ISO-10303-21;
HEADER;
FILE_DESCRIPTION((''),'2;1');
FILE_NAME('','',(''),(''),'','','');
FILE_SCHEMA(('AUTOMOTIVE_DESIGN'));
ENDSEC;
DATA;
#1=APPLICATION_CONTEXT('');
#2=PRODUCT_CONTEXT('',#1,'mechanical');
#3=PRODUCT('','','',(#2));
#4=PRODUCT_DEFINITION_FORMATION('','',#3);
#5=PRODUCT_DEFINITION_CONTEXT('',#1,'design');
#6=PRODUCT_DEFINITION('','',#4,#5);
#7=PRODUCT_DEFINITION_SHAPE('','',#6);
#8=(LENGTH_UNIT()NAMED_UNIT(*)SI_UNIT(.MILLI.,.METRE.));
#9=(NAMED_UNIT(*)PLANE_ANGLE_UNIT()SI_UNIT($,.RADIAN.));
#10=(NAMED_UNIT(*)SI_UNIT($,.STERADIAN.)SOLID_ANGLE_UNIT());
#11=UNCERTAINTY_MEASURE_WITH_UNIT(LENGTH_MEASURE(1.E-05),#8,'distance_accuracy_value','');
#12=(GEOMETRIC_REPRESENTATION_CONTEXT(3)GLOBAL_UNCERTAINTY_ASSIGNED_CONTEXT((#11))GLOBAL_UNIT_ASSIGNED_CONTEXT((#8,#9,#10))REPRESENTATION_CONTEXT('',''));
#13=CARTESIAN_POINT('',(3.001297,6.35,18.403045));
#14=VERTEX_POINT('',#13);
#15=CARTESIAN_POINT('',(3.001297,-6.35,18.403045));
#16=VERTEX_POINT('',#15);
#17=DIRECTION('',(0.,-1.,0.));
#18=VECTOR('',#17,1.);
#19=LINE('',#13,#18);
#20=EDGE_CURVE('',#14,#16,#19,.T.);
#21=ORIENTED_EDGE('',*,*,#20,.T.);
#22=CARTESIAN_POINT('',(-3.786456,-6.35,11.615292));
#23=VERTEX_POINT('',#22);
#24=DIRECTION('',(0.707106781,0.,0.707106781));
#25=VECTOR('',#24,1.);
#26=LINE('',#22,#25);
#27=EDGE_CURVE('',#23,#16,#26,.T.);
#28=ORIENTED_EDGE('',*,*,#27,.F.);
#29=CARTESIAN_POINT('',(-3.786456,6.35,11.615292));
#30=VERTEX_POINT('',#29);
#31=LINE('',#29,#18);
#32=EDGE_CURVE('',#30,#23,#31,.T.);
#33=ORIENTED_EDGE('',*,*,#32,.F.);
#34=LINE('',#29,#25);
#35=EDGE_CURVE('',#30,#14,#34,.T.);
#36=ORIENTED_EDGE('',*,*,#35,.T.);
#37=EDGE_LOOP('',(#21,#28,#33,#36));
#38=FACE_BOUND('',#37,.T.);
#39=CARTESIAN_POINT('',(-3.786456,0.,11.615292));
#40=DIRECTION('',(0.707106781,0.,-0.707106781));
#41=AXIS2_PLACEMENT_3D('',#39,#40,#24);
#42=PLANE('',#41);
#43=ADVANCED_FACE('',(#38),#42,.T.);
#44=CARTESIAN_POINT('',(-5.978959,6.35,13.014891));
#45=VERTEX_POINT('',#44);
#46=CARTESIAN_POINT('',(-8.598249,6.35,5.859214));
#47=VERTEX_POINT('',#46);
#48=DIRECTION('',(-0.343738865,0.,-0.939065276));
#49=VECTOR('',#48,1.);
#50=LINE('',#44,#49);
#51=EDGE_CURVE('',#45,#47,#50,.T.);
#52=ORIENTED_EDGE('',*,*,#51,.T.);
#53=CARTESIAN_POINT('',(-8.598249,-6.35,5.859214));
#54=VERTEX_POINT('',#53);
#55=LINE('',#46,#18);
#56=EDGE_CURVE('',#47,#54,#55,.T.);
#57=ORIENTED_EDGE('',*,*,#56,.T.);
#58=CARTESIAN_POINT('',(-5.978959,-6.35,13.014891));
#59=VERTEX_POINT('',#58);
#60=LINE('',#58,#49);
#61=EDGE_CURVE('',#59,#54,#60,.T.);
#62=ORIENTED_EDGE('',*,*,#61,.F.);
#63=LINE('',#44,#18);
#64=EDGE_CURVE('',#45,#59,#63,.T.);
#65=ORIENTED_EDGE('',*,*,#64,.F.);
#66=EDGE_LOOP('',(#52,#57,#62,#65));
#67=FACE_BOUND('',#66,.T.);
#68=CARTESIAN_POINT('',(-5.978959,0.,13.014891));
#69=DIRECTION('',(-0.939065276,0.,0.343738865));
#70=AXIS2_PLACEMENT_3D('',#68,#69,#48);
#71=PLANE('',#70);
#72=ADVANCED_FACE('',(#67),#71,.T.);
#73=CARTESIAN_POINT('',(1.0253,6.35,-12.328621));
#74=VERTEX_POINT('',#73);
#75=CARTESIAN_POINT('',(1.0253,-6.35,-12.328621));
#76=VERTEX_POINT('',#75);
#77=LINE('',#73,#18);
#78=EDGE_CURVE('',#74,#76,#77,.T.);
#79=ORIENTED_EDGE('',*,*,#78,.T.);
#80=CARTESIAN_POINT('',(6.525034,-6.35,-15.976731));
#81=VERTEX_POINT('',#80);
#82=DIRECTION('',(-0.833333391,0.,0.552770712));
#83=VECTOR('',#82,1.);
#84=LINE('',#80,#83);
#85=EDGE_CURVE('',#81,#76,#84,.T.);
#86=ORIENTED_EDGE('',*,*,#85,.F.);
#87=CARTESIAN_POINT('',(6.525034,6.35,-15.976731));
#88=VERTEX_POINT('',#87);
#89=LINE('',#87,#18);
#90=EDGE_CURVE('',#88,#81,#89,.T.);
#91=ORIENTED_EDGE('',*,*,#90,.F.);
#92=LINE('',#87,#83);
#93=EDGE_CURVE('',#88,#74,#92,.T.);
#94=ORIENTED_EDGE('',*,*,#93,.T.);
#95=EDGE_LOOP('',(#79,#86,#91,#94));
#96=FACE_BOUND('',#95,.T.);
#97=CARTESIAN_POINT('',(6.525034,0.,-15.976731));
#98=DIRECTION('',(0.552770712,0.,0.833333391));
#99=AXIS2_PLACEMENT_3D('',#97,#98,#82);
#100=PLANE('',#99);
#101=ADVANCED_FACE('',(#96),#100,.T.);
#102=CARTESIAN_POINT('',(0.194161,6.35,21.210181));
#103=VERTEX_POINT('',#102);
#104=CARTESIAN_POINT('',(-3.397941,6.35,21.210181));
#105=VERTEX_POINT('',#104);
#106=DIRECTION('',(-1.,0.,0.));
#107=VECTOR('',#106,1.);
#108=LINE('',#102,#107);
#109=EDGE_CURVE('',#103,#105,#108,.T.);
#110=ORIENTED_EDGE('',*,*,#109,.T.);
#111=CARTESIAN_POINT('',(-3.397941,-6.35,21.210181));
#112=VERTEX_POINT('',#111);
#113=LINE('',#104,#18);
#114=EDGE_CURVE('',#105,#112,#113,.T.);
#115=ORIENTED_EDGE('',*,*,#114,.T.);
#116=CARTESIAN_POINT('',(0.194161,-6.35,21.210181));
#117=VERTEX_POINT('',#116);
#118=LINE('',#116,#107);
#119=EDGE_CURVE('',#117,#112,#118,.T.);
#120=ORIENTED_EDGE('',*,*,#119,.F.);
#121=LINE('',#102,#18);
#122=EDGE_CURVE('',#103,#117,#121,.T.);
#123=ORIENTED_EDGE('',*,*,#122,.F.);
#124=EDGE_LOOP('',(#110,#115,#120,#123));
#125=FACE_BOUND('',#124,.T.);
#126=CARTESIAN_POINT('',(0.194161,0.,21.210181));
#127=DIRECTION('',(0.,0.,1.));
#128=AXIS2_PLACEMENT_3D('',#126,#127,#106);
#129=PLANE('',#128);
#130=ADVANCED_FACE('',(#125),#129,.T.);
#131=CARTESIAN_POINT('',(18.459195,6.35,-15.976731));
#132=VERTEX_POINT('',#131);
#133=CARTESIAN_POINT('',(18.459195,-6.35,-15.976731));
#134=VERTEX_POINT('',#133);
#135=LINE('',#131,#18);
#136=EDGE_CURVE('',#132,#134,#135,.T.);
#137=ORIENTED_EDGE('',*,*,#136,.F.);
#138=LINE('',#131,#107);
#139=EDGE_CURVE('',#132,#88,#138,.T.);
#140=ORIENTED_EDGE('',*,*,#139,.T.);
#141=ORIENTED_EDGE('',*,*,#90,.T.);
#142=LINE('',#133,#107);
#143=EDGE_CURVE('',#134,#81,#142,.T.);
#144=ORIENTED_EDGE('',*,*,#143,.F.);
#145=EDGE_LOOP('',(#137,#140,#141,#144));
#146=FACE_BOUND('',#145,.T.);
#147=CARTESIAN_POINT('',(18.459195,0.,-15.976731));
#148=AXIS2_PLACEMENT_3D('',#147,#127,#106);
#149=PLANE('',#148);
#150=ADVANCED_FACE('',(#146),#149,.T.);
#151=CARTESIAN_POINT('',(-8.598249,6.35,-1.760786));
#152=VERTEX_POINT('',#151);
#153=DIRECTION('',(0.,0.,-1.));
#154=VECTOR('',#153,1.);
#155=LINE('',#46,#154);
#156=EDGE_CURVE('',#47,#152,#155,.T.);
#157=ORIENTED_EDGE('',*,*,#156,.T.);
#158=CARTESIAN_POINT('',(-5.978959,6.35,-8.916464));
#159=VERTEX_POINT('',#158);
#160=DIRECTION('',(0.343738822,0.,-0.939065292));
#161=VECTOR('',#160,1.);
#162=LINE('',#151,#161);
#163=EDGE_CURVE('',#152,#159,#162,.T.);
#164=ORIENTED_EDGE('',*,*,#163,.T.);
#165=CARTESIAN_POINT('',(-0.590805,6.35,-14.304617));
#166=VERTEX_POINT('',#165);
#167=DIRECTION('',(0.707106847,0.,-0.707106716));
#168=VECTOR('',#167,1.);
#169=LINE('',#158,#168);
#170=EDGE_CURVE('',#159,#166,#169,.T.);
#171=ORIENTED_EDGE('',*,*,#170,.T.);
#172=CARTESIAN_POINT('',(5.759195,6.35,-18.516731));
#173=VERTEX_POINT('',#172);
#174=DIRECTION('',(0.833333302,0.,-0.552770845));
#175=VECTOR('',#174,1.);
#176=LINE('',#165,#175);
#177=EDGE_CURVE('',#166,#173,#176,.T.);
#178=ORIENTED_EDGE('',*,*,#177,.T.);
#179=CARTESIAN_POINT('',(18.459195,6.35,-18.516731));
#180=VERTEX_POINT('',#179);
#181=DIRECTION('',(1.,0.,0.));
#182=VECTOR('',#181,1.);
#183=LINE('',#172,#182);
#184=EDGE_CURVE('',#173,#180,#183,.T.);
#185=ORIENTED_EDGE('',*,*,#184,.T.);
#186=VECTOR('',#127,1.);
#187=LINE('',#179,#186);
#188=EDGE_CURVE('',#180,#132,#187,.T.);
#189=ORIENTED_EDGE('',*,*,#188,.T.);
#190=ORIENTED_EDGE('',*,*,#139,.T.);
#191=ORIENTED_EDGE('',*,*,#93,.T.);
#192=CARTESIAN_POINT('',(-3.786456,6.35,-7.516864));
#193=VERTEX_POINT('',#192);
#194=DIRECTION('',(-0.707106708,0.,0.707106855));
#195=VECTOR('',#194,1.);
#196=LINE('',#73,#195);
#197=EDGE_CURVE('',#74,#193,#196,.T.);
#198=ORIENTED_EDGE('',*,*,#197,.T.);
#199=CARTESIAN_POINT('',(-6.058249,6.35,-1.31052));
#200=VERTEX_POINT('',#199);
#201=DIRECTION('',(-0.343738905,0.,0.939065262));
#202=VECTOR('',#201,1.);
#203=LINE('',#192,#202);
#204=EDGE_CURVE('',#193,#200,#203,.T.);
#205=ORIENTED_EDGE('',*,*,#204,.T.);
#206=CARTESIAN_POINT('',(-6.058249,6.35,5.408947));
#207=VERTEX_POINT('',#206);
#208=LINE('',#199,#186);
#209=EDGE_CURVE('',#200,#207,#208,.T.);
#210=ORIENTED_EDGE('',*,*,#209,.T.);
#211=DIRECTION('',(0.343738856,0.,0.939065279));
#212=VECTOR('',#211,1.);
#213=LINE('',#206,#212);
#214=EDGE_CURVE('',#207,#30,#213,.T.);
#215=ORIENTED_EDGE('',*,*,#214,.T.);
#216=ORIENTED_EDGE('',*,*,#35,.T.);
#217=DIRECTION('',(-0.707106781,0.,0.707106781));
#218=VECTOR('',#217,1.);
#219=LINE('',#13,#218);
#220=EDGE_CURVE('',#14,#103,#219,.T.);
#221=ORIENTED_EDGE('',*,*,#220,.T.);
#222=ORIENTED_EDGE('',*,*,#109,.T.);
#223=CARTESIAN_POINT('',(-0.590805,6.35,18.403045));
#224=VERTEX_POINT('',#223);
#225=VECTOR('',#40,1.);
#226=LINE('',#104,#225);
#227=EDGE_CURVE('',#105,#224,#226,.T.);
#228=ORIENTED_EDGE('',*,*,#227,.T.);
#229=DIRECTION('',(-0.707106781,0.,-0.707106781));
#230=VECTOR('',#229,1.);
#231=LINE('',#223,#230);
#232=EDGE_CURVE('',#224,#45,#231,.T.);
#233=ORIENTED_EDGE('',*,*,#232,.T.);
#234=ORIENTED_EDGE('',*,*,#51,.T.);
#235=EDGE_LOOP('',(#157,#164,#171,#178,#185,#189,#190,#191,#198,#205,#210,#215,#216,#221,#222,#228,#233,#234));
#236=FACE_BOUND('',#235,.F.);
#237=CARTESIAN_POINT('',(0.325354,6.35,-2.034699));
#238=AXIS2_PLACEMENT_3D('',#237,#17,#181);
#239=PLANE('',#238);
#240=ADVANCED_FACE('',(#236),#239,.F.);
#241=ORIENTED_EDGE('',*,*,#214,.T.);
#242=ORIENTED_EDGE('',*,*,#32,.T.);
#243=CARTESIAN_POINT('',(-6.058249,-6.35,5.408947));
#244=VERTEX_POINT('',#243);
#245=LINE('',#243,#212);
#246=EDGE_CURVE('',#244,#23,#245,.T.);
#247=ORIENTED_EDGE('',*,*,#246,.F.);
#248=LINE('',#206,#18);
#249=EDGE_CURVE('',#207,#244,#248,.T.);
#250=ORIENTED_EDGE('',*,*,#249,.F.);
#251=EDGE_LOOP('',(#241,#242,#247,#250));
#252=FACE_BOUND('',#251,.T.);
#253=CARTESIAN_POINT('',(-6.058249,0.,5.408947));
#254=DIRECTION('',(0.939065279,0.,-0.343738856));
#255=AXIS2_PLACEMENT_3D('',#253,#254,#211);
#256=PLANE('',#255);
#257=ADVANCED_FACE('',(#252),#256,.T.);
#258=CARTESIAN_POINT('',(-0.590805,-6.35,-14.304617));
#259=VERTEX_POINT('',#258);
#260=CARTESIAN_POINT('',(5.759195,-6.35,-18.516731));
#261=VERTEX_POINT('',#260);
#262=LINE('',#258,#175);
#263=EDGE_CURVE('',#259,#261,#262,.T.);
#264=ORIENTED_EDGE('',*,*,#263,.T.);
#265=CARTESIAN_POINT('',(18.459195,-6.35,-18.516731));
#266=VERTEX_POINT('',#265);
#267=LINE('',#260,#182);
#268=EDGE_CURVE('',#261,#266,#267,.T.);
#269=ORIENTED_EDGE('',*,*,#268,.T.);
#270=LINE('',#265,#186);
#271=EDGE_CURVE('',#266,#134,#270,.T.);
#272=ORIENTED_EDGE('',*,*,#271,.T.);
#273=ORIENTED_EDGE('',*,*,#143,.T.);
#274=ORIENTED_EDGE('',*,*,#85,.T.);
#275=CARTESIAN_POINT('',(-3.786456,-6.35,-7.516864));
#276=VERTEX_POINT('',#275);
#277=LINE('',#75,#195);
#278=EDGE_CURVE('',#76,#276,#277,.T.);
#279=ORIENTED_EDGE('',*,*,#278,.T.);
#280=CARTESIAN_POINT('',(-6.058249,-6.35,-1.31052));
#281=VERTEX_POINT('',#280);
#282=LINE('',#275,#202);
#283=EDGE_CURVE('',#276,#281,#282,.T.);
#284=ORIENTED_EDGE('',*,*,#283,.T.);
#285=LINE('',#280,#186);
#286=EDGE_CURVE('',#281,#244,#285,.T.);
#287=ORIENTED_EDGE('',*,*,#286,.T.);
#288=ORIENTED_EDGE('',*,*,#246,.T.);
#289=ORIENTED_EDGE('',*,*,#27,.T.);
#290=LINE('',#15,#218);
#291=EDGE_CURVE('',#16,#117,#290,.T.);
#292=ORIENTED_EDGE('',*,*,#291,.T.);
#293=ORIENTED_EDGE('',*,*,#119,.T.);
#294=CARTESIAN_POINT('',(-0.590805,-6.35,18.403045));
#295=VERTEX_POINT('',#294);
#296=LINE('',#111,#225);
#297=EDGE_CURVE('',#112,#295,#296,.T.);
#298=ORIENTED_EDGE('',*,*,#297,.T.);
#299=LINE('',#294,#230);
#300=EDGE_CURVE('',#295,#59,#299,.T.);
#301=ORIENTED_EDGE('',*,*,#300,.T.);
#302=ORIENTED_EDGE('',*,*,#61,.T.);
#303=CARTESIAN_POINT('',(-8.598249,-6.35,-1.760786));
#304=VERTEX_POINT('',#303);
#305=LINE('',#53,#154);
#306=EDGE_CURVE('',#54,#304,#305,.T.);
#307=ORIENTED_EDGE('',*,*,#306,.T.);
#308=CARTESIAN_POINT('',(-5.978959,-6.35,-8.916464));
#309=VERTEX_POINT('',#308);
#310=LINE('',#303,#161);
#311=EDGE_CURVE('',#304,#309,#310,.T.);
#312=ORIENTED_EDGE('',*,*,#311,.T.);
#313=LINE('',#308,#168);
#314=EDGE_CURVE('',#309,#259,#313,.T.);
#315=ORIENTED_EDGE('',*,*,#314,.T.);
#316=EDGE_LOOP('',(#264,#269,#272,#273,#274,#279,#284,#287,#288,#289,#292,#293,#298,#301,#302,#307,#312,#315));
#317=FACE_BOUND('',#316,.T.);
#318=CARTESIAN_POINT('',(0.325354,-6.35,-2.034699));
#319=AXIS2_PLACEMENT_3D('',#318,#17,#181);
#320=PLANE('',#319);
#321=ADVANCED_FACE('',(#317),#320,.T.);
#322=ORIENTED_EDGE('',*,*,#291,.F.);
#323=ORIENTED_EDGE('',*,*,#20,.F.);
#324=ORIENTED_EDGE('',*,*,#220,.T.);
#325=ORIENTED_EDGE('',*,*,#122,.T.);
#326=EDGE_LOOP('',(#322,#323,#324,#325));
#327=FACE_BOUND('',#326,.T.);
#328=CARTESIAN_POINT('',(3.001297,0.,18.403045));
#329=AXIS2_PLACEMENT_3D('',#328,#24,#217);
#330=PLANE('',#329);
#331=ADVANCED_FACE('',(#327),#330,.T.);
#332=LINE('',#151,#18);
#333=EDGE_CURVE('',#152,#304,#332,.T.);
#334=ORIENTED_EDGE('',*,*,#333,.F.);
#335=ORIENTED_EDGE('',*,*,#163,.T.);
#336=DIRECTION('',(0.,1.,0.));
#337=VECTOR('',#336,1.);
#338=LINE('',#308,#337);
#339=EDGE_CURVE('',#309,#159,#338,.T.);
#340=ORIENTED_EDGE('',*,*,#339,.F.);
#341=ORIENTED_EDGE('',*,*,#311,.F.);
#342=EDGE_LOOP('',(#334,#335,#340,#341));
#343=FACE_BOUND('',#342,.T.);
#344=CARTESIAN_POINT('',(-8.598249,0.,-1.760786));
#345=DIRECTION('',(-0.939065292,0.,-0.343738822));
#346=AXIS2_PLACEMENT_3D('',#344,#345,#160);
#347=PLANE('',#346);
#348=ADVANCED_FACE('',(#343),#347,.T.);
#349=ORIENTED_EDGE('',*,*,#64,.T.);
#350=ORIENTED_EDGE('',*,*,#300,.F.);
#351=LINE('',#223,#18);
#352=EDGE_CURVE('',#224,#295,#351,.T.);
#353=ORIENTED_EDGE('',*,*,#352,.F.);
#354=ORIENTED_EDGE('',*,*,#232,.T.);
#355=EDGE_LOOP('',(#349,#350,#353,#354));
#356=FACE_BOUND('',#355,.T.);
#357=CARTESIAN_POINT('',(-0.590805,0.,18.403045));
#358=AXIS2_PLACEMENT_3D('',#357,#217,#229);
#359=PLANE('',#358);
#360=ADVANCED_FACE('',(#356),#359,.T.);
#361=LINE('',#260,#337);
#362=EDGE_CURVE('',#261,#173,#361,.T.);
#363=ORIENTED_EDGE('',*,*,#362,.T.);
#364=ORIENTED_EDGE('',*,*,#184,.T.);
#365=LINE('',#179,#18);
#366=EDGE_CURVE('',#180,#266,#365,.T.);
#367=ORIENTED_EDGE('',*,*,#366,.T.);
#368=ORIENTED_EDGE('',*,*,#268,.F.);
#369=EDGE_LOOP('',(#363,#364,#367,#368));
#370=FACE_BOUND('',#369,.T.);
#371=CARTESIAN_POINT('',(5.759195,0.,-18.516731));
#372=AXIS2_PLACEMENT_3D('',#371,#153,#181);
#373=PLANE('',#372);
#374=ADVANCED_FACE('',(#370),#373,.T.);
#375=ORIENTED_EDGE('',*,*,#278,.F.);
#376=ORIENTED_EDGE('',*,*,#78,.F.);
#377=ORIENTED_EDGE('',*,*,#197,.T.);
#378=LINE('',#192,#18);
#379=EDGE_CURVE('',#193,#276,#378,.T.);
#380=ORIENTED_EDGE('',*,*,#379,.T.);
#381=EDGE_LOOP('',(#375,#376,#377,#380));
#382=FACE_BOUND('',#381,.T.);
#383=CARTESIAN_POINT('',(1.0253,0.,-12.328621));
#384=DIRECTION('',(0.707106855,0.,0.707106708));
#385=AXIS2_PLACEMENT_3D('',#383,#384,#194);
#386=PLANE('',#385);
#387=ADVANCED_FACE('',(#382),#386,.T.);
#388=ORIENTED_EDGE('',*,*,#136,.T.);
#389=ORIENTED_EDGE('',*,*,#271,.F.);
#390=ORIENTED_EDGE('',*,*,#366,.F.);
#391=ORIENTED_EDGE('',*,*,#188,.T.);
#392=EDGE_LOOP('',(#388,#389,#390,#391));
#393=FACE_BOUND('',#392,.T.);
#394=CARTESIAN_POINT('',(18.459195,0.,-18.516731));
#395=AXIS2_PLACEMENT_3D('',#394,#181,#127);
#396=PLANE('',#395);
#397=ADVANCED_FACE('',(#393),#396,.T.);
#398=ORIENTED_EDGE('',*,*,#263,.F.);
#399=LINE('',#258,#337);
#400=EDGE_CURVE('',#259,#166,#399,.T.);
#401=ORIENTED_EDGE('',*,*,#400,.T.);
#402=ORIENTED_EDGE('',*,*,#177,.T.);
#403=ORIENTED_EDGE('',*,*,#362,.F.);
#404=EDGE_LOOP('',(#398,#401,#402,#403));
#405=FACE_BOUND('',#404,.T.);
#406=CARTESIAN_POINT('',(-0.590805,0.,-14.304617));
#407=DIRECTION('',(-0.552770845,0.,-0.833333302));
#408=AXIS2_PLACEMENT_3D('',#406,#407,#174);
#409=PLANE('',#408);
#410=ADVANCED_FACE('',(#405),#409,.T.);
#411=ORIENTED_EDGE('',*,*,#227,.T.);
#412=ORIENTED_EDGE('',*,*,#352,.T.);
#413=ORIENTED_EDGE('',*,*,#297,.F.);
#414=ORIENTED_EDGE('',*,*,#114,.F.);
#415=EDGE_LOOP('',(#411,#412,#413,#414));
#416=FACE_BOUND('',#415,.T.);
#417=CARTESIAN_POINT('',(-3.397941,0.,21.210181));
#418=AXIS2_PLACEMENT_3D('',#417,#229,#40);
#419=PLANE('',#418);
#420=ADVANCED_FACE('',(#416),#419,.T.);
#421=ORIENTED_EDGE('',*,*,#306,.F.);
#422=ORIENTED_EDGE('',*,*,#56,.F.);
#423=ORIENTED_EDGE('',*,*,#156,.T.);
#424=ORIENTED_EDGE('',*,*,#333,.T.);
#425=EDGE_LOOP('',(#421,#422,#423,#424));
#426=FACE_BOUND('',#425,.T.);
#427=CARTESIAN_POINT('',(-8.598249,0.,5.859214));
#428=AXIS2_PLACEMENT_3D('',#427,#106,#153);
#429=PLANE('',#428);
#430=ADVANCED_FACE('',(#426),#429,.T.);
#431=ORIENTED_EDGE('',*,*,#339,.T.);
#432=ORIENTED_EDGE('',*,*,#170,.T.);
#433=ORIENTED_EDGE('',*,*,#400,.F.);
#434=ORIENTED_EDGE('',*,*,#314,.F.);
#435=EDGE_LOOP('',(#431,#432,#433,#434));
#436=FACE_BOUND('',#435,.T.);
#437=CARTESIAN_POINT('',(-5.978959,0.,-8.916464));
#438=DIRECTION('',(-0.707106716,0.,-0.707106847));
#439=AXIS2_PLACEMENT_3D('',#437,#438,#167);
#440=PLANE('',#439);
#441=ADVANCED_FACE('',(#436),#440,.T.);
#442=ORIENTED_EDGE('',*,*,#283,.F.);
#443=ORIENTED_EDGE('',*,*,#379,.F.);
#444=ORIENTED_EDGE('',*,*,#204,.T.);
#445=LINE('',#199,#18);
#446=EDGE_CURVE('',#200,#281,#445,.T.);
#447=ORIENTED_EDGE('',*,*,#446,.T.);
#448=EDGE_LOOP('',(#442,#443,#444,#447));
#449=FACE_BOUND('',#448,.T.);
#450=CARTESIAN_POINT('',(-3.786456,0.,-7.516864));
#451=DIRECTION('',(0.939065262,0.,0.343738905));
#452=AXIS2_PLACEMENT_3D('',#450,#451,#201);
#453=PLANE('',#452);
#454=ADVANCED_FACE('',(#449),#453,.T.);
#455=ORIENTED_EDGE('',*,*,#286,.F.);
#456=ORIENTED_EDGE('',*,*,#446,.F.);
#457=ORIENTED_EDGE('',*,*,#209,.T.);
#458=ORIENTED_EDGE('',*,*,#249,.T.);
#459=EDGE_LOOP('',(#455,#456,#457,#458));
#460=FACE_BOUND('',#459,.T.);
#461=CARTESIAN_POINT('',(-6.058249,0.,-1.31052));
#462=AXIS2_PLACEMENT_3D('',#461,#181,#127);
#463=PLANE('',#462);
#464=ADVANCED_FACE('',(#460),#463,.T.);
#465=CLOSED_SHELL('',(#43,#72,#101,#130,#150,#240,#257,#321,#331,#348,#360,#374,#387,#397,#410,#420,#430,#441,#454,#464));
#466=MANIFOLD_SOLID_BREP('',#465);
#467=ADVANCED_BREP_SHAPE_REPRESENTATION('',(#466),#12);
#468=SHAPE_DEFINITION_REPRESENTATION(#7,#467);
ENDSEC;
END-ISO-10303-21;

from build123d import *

# Parameters (mm, degrees)
F1_DEPTH = 6.35


with BuildPart() as f1:
    # F0 (on Front) → F1 (new body, symmetric)
    with BuildSketch(Plane.XZ):
        Polygon((5.759195, -18.516731), (18.459195, -18.516731), (18.459195, -15.976731), (6.525034, -15.976731), (1.0253, -12.328621), (-3.786456, -7.516864), (-6.058249, -1.31052), (-6.058249, 5.408947), (-3.786456, 11.615292), (3.001297, 18.403045), (0.194161, 21.210181), (-3.397941, 21.210181), (-0.590805, 18.403045), (-5.978959, 13.014891), (-8.598249, 5.859214), (-8.598249, -1.760786), (-5.978959, -8.916464), (-0.590805, -14.304617), align=None)
    extrude(amount=F1_DEPTH, both=True)


solid = f1.part
